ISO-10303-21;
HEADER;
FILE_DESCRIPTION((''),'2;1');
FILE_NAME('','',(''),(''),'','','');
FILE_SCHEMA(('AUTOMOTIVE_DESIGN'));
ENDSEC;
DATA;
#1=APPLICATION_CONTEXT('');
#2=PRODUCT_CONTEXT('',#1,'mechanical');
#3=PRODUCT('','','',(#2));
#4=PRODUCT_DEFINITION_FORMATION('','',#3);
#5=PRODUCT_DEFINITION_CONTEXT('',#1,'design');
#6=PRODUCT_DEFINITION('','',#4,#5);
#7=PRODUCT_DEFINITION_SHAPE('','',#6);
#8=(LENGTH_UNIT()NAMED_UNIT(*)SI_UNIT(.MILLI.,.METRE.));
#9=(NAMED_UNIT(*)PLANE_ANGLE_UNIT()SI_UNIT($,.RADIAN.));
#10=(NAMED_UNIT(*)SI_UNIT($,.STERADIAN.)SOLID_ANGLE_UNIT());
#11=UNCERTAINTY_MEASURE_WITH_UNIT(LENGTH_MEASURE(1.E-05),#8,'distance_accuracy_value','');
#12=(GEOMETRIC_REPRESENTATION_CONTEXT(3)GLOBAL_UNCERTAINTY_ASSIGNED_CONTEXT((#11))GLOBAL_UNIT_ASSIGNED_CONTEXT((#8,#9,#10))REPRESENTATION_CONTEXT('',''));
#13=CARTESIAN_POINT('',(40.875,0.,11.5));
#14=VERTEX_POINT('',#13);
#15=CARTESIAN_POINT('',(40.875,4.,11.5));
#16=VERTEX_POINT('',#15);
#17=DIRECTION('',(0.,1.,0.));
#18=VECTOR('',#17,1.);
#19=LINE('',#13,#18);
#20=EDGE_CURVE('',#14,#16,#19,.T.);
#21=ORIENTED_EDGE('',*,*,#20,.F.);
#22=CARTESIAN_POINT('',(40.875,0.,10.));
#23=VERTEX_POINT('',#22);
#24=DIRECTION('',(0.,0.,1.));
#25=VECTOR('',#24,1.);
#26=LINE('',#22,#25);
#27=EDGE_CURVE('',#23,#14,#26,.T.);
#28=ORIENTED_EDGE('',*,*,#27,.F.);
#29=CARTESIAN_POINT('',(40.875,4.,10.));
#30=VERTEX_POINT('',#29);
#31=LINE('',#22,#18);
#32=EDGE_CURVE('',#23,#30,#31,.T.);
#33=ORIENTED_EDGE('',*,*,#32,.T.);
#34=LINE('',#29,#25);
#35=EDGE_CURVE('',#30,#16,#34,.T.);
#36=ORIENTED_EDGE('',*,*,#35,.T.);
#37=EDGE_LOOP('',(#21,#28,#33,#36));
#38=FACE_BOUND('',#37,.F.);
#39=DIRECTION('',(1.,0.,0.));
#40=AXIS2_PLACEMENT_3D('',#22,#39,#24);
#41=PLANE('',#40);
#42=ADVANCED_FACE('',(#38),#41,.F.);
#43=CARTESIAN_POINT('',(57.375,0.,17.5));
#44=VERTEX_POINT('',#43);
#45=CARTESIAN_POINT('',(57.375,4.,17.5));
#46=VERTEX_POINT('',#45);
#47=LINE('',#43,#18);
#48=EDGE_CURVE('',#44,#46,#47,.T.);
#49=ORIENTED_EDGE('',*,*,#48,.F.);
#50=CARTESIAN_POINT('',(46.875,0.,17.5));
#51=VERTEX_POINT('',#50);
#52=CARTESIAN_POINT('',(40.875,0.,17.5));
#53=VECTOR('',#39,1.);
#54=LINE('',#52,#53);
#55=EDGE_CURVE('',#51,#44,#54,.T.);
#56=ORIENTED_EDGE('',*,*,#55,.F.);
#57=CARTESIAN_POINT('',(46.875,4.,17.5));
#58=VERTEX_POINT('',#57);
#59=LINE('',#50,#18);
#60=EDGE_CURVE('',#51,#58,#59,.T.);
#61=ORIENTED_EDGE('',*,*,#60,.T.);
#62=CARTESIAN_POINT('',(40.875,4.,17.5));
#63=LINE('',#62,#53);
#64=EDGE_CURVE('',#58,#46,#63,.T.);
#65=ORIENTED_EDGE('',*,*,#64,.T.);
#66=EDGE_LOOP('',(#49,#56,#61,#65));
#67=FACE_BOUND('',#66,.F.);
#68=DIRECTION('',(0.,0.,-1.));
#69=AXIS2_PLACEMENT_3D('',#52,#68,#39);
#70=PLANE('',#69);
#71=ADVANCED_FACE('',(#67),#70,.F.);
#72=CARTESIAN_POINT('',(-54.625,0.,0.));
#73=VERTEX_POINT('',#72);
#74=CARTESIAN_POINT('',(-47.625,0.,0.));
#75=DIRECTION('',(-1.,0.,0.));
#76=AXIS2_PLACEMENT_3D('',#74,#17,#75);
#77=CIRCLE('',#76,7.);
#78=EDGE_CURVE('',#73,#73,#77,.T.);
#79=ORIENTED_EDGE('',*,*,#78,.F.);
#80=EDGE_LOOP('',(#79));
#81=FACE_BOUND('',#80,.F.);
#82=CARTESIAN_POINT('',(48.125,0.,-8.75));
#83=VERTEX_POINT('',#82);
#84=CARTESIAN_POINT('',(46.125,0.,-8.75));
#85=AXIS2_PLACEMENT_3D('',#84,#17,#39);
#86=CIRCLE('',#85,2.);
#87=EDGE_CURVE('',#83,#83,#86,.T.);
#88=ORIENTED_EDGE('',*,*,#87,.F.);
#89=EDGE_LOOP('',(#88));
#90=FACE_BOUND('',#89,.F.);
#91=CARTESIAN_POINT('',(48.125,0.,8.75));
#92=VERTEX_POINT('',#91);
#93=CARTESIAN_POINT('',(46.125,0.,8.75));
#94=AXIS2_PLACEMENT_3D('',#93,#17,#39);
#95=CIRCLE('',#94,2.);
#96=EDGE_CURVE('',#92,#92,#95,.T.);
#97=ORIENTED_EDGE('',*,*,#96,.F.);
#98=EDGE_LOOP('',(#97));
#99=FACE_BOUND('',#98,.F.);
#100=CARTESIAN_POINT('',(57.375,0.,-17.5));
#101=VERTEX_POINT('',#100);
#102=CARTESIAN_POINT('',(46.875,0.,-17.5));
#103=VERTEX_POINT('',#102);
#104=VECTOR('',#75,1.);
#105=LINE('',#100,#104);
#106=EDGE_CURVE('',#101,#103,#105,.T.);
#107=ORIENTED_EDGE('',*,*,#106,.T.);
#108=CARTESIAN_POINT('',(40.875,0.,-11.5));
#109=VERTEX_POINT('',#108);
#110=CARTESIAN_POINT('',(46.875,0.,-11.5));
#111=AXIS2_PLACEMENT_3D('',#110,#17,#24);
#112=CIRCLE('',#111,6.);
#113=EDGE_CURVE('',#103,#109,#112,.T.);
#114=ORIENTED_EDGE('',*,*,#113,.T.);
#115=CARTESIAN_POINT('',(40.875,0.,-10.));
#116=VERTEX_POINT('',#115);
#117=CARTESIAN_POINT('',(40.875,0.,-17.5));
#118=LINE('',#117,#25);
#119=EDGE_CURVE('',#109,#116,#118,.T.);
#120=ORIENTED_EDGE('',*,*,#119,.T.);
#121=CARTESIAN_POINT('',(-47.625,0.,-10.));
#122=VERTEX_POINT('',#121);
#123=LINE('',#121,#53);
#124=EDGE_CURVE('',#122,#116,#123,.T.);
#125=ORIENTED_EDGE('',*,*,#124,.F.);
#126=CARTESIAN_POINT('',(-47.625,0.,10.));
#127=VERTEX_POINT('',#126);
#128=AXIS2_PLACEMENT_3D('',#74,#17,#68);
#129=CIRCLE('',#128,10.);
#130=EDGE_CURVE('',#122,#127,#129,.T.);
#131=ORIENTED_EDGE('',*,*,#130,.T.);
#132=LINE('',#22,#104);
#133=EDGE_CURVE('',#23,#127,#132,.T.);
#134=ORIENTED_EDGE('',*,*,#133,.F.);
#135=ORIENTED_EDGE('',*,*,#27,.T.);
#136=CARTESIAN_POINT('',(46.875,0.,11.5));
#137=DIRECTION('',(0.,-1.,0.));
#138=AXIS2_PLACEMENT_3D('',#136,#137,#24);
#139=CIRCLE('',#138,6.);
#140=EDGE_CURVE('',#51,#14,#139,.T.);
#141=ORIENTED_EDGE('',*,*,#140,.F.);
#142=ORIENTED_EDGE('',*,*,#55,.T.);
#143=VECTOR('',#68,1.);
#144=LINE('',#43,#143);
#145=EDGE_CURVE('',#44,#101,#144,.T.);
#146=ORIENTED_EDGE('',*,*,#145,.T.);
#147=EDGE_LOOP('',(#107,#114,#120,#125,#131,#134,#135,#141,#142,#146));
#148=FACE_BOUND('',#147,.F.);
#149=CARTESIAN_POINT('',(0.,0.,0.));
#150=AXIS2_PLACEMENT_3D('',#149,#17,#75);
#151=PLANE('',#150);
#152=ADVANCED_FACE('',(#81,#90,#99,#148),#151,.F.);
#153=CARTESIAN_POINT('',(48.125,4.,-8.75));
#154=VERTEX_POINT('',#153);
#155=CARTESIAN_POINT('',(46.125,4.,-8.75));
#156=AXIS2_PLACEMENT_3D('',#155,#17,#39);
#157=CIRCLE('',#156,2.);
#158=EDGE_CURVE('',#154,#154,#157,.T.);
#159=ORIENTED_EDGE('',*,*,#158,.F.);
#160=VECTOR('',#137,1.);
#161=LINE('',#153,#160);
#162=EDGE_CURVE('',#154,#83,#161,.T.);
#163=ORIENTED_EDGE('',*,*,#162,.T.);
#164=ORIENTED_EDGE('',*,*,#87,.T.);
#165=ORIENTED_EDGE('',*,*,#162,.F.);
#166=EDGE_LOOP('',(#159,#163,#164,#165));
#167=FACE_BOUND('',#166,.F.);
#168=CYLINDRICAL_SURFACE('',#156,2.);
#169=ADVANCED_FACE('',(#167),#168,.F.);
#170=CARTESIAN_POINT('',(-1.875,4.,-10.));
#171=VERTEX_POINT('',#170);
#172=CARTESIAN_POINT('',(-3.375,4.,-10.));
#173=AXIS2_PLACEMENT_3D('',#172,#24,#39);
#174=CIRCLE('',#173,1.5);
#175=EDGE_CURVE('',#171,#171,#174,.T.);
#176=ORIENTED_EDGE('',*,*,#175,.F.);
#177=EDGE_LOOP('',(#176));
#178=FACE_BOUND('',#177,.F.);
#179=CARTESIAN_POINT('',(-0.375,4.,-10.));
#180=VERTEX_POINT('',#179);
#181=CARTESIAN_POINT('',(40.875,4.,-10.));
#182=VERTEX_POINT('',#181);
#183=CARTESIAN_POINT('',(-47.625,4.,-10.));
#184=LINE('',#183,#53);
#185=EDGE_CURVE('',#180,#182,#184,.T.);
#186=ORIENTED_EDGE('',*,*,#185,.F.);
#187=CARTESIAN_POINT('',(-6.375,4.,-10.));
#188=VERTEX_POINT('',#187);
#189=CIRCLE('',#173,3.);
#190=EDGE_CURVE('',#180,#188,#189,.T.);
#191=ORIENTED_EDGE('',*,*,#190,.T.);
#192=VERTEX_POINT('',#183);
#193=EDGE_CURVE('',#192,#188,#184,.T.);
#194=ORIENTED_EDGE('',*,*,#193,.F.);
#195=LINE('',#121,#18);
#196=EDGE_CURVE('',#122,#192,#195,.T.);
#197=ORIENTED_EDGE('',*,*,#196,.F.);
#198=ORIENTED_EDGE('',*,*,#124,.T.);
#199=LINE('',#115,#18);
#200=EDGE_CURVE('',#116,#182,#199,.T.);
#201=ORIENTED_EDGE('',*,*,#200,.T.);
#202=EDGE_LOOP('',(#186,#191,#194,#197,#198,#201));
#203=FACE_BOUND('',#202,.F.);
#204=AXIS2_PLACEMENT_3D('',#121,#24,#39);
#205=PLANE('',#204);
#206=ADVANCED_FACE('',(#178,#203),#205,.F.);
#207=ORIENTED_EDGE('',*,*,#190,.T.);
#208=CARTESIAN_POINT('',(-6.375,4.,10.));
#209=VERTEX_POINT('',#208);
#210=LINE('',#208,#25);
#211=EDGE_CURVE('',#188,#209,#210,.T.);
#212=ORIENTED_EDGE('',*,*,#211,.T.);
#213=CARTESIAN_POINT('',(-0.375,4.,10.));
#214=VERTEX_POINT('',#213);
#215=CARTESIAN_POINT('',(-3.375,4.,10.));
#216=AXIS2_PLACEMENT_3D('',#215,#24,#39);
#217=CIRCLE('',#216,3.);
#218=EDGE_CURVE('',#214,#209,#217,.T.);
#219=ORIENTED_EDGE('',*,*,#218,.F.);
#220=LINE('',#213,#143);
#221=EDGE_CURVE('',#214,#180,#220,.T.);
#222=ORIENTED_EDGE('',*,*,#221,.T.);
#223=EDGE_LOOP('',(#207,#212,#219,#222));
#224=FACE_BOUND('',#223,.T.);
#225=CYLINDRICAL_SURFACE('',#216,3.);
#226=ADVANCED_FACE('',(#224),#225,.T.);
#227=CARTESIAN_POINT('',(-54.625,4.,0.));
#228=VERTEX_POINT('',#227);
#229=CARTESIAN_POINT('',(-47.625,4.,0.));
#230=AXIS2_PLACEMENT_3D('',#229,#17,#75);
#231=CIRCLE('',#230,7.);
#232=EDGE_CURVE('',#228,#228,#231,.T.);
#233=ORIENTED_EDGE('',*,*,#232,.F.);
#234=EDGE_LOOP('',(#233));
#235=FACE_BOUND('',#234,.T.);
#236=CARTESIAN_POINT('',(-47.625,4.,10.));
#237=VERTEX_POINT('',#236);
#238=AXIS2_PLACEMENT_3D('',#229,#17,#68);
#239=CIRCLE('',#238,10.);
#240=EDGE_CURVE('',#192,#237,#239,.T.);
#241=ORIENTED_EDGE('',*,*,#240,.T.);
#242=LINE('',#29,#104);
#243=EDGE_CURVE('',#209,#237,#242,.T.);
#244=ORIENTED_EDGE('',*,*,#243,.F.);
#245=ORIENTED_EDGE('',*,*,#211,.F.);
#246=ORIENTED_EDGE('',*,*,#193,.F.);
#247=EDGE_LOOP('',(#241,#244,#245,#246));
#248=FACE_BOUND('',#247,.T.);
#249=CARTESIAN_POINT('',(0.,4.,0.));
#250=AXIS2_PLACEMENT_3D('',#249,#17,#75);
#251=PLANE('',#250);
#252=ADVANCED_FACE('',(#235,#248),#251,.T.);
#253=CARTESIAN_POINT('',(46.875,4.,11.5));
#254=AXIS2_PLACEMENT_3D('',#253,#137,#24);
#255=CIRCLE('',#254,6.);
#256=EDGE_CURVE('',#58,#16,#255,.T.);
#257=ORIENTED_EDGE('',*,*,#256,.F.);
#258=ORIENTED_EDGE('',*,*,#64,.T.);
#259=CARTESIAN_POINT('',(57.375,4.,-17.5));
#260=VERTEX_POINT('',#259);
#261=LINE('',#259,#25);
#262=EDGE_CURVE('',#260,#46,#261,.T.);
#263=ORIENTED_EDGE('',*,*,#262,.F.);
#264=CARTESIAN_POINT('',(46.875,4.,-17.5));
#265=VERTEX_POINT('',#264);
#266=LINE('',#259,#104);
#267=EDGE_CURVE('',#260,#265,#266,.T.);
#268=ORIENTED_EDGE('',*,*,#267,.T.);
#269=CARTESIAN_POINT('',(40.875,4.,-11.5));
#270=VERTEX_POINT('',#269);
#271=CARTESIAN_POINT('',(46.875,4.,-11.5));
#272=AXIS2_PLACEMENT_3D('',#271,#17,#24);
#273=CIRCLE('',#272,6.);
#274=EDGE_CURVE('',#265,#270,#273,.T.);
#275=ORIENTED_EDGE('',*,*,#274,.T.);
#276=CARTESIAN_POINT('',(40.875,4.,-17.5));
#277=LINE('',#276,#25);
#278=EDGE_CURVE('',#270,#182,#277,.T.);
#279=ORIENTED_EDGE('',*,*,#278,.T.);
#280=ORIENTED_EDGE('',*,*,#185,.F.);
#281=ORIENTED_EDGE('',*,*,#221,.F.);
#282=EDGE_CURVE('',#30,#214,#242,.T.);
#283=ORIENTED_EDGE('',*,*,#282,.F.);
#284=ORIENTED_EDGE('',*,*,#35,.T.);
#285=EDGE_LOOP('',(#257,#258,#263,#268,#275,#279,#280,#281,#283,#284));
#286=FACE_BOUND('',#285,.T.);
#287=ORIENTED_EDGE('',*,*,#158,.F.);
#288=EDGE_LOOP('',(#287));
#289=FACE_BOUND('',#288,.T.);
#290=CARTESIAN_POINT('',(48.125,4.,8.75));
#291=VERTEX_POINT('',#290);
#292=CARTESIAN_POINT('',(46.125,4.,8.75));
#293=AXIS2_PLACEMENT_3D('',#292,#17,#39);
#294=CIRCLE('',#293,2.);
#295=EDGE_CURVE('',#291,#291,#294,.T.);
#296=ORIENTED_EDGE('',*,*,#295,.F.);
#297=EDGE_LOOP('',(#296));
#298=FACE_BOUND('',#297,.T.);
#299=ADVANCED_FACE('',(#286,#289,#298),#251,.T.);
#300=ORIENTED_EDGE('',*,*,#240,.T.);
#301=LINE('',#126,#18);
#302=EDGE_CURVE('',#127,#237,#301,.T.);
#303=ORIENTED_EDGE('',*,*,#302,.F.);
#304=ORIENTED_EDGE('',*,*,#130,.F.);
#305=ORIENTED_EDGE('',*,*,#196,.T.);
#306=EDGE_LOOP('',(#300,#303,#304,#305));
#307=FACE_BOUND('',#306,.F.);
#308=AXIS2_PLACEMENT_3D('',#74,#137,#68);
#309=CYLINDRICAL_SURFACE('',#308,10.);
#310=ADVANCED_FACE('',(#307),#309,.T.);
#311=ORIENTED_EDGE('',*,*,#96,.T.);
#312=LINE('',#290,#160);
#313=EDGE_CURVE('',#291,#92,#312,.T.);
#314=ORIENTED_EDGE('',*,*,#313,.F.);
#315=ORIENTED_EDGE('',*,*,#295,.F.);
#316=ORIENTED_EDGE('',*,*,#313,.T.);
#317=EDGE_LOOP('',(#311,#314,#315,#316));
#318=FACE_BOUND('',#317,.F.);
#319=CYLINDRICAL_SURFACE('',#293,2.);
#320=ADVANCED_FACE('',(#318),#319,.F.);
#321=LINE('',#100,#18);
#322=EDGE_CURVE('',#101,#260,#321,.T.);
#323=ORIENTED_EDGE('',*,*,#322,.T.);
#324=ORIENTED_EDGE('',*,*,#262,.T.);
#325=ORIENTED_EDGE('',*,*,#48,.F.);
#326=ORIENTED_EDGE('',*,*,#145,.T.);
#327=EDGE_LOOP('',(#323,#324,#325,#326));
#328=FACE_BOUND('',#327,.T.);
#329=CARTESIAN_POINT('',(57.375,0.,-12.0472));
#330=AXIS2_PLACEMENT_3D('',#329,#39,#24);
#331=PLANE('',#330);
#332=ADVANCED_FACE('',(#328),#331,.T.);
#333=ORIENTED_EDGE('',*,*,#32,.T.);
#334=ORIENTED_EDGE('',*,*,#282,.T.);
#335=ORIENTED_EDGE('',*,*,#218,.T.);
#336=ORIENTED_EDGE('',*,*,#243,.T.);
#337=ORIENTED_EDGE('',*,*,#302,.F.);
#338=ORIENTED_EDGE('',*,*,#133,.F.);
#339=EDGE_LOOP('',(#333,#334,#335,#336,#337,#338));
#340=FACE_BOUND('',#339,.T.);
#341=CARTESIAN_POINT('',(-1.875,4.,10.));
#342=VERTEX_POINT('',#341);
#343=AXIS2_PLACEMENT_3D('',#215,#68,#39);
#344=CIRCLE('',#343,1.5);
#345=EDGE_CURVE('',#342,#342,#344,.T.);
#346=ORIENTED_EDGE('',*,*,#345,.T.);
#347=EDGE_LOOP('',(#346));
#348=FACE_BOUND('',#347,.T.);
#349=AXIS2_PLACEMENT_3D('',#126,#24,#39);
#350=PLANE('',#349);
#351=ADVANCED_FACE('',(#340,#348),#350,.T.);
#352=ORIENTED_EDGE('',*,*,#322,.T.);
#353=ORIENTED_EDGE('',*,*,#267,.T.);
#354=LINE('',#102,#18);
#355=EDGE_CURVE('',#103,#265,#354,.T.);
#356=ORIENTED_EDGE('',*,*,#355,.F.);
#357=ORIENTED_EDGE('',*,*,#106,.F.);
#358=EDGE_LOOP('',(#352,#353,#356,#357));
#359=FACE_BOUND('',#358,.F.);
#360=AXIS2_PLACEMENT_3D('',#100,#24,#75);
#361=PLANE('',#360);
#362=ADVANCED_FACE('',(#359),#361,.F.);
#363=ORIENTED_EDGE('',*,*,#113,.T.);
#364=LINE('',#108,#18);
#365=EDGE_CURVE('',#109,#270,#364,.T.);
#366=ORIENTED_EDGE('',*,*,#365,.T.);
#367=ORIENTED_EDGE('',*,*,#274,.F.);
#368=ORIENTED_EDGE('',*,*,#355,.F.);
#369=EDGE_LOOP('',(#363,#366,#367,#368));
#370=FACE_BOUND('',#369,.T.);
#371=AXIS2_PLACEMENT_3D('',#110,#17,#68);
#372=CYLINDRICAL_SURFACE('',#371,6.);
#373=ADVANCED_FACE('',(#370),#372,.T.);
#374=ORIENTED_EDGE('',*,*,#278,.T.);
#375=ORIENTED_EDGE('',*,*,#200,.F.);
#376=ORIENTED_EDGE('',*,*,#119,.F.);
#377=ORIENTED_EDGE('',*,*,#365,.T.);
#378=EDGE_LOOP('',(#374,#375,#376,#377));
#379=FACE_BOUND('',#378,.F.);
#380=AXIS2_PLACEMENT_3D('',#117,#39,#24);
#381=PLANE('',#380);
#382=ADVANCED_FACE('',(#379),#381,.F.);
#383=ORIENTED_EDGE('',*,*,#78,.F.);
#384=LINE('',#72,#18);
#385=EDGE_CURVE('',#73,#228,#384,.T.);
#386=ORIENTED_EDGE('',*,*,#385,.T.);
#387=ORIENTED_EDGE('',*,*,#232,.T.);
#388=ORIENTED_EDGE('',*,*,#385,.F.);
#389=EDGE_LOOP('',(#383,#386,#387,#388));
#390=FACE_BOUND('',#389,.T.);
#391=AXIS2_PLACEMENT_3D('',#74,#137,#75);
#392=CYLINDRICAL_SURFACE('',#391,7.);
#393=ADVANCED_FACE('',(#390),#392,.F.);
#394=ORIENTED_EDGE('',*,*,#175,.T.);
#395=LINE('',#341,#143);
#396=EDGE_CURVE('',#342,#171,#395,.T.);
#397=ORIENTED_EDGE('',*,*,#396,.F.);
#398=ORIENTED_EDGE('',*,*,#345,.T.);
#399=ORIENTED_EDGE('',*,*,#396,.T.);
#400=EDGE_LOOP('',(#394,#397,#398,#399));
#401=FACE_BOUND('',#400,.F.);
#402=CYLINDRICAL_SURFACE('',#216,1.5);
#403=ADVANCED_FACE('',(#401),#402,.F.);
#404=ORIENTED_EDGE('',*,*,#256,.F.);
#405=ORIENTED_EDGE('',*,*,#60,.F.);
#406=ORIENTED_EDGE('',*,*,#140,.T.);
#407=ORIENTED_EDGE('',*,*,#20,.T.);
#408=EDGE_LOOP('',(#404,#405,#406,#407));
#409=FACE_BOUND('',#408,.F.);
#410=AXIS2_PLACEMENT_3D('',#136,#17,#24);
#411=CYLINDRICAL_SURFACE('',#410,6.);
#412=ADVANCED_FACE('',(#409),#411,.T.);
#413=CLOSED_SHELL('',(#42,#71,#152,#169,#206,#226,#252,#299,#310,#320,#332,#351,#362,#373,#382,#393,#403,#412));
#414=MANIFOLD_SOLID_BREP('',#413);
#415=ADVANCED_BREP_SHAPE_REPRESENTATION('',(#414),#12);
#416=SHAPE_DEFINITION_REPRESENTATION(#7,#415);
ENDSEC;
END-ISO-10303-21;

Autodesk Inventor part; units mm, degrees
ref_plane "YZ Plane" through (0, 0, 0) normal (1, 0, 0) x (0, 1, 0)
ref_plane "XZ Plane" through (0, 0, 0) normal (0, 1, 0) x (-1, 0, 0)
ref_plane "XY Plane" through (0, 0, 0) normal (0, 0, 1) x (1, 0, 0)
sketch "Main Sketch" plane through (0, 0, 0) normal (0, 1, 0) x (-1, 0, 0)
  line L0 (-57.375, -12.0472) -> (-57.375, 12.0472)
  line L1 (-57.375, 12.0472) -> (47.625, -10) construction
  line L2 (47.625, 10) -> (-57.375, -12.0472) construction
  circle A0 centre (47.625, 0) radius 7
  arc A1 (47.625, -10) -> (47.625, 10) centre (47.625, 0) ccw
  line L3 (-40.875, 17.5) -> (-57.375, 17.5)
  line L4 (-57.375, 17.5) -> (-57.375, -17.5)
  line L5 (-57.375, -17.5) -> (-40.875, -17.5)
  line L6 (-40.875, 17.5) -> (-57.375, -17.5) construction
  line L7 (-57.375, 17.5) -> (-40.875, -17.5) construction
  line L8 (47.625, -10) -> (-40.875, -10)
  line L9 (-40.875, -17.5) -> (-40.875, -10)
  line L10 (-40.875, 10) -> (-40.875, 17.5)
  line L11 (-40.875, 10) -> (47.625, 10)
  point P0 (0, 0)
  point P1 (-49.125, 0)
  dimension "d3" = 14
  dimension "d4" = 105
  dimension "d13" = 16.5
  dimension "d14" = 35
  dimension "d15" = 0
  dimension "d18" = 20
extrude "Main Extrusion" add sketch "Main Sketch" along normal blind 4
sketch "Screw Holes Sketch" plane through (0, 4, 0) normal (0, 1, 0) x (1, 0, 0)
  circle A0 centre (46.125, -8.75) radius 2
  line L0 (57.375, 17.5) -> (40.875, 17.5) projected
  line L1 (40.875, -17.5) -> (57.375, -17.5) projected
  line L2 (35.2664, 0) -> (65.7891, 0)
  line L3 (51.375, -27.0398) -> (51.375, 30.2346) construction
  line L4 (57.375, -17.5) -> (57.375, 17.5) projected
  line L5 (40.875, -10) -> (40.875, -17.5) projected
  circle A1 centre (46.125, 8.75) radius 2
  line L6 (51.375, 27.0398) -> (51.375, -30.2346) construction
  point P0 (0, 0)
  dimension "d21" = 4
  dimension "d22" = 35
  dimension "d23" = 6
  dimension "d24" = 5.25
  dimension "d25" = 5.25
  dimension "d26" = 10.5
  dimension "d27" = 8.75
  dimension "d28" = 17.5
extrude "Screw Holes Cut" cut sketch "Screw Holes Sketch" against normal through all
fillet "Smoooooooooooooooooth" radius 6 2 edges at (40.875, 2, -17.5) (40.875, 2, 17.5)
sketch "Side Axel Hole Sketch" plane through (-47.625, 0, 10) normal (0, 0, 1) x (1, 0, 0)
  line L0 (88.5, 4) -> (88.5, 0) projected
  line L1 (0, 0) -> (0, 4) projected
  line L2 (44.25, -12.0383) -> (44.25, 22.7681) construction
  line L3 (88.5, 0) -> (0, 0) projected
  line L4 (0, 4) -> (88.5, 4) projected
  circle A0 centre (44.25, 4) radius 1.5
  point P0 (47.625, 0)
  dimension "d32" = 88.5
  dimension "d33" = 44.25
  dimension "d34" = 44.25
  dimension "d35" = 4
  dimension "d41" = 3
extrude "Side Axel Hole Cut" cut sketch "Side Axel Hole Sketch" against normal blind 20 contours A0 L4 | L4 A0
sketch "Sketch6" plane through (-47.625, 0, 10) normal (0, 0, 1) x (1, 0, 0)
  arc A0 (42.75, 4) -> (45.75, 4) centre (44.25, 4) ccw projected
  circle A1 centre (44.25, 4) radius 3
  circle A2 centre (44.25, 4) radius 1.5
  point P0 (47.625, 0)
  dimension "d44" = 6
extrude "Extrusion7" add sketch "Sketch6" against normal blind 20
properties part number "TapeMeasureBracketSide"
